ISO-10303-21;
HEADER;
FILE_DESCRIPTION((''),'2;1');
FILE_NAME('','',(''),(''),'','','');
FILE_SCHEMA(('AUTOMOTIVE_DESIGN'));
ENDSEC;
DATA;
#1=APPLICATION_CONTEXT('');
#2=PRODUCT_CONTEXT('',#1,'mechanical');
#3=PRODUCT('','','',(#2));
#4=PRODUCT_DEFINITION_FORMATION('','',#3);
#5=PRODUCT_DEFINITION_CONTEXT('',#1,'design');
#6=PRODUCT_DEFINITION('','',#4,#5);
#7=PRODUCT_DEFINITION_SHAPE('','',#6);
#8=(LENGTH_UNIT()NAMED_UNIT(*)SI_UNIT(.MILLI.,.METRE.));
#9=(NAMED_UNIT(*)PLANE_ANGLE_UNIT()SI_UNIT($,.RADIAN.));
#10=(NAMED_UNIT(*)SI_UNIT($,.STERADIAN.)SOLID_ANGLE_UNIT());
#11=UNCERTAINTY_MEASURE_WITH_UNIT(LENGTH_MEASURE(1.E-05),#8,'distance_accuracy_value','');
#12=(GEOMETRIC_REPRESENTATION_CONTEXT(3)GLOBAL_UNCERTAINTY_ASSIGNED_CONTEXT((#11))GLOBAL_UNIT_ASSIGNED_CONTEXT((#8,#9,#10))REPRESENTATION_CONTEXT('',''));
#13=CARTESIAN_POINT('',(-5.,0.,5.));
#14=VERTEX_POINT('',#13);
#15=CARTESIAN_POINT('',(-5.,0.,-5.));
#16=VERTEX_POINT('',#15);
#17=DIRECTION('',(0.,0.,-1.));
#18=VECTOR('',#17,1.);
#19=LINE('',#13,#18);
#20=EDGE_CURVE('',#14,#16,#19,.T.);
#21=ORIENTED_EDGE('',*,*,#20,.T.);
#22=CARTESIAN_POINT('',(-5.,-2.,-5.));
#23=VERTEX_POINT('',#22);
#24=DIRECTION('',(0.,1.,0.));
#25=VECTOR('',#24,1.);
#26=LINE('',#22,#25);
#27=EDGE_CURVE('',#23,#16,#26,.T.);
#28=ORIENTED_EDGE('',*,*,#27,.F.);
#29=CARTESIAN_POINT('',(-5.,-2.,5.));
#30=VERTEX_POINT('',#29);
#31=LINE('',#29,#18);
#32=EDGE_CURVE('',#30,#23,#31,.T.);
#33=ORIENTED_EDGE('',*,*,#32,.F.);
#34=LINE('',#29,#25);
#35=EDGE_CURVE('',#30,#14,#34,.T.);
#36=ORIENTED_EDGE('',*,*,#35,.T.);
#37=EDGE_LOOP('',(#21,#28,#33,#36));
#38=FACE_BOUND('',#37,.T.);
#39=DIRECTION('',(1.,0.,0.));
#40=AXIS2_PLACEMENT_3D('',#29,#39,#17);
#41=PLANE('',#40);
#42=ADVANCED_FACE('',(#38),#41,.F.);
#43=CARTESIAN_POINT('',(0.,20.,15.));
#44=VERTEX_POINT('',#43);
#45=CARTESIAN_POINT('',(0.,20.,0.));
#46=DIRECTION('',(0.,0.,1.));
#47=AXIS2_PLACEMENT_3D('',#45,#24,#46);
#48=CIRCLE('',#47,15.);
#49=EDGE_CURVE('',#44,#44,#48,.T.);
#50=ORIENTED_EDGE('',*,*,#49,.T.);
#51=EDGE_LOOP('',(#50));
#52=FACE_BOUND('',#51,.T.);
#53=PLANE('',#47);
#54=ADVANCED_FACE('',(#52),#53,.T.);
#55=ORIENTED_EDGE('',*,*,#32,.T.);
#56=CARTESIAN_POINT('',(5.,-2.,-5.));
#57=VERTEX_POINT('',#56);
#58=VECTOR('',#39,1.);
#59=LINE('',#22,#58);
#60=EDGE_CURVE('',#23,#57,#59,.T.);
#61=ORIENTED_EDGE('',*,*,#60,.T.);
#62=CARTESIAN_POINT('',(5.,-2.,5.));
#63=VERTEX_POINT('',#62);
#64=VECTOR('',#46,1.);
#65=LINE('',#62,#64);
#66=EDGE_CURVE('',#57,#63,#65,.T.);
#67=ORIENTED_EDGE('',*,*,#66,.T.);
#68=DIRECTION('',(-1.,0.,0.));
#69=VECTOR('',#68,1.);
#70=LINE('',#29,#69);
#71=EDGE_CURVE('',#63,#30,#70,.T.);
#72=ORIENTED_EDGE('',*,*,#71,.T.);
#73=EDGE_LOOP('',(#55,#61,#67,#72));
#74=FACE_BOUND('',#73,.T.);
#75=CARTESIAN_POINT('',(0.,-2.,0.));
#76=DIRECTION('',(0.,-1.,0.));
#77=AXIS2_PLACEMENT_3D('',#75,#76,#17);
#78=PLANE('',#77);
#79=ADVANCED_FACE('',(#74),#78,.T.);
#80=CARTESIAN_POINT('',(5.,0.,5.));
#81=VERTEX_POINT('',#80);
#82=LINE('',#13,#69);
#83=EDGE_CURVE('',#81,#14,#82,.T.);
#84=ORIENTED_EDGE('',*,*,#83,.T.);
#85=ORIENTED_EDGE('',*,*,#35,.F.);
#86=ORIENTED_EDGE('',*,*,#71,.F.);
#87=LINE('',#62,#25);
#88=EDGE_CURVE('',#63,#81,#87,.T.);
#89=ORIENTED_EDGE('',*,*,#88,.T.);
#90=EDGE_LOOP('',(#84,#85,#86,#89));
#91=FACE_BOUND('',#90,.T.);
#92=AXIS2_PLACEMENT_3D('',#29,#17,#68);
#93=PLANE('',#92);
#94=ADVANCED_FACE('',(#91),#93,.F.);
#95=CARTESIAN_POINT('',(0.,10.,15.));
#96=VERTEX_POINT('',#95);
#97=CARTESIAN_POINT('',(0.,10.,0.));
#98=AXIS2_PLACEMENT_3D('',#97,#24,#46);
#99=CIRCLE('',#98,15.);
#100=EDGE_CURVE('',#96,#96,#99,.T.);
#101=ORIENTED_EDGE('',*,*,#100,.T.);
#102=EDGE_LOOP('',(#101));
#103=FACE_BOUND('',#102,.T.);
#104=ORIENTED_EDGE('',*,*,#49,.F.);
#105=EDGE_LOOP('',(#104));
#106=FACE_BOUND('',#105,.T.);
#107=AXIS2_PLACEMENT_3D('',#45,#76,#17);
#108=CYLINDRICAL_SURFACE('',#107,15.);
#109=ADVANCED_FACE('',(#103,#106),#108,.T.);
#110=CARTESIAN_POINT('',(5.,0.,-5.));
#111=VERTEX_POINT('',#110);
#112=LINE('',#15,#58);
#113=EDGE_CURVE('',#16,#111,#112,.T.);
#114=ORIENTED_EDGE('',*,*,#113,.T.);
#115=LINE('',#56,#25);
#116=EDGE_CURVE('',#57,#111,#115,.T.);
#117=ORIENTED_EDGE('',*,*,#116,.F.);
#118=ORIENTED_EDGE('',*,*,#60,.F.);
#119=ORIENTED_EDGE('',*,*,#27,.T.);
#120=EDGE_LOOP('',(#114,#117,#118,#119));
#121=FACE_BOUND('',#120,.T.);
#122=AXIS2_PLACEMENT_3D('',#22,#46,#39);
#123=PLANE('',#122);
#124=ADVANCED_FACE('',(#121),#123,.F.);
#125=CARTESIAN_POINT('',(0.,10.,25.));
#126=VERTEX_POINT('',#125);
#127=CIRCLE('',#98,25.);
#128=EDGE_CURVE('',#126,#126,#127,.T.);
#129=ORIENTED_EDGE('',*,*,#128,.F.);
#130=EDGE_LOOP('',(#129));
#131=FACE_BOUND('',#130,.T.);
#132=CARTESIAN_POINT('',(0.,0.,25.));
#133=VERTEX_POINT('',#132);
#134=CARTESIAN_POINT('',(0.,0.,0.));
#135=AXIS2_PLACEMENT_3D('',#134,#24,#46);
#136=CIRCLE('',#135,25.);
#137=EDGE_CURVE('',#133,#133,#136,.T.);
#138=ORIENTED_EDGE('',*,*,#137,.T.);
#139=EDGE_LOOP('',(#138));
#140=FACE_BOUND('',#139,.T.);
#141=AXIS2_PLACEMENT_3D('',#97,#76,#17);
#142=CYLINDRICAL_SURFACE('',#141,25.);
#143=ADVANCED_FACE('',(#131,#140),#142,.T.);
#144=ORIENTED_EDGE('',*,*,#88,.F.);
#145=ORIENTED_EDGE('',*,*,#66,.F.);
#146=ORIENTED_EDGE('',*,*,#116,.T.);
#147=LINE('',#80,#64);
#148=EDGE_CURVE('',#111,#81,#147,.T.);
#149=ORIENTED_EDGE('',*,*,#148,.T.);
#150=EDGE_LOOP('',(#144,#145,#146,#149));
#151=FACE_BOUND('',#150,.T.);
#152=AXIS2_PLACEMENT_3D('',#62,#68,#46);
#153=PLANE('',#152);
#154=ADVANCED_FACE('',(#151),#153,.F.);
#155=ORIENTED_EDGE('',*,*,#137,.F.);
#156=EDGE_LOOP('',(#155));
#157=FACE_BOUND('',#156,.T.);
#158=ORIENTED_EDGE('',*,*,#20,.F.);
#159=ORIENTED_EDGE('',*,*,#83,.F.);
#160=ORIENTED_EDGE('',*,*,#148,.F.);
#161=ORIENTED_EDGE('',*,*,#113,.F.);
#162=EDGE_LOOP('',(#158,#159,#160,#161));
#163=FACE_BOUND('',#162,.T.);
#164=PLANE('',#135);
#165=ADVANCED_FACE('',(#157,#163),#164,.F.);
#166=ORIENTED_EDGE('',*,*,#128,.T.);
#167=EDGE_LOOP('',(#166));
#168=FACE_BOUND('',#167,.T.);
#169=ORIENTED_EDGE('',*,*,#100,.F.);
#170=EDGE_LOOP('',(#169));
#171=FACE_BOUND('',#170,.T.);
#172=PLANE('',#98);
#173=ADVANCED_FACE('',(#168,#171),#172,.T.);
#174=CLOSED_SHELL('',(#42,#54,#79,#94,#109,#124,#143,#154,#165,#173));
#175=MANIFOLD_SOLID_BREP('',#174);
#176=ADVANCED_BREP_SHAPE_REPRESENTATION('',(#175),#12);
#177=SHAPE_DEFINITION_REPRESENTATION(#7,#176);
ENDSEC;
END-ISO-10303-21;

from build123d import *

# Parameters (mm, degrees)
SKETCH1_R           = 25
BOSS_EXTRUDE1_DEPTH = 10
SKETCH2_R           = 15
BOSS_EXTRUDE2_DEPTH = 10
SKETCH3_W           = 10
SKETCH3_H           = 10
BOSS_EXTRUDE3_DEPTH = 2


with BuildPart() as part:
    # Sketch1 → Boss-Extrude1 (new body)
    with BuildSketch(Plane(origin=(0, 0, 0), x_dir=(1, 0, 0), z_dir=(0, 1, 0))):
        with Locations(Location((0, 0, 0), (0, 0, 270))):
            Circle(SKETCH1_R)
    extrude(amount=BOSS_EXTRUDE1_DEPTH)

    # Sketch2 → Boss-Extrude2 (add)
    with BuildSketch(Plane(origin=(0, 10, 0), x_dir=(1, 0, 0), z_dir=(0, 1, 0))):
        with Locations(Location((0, 0, 0), (0, 0, 270))):
            Circle(SKETCH2_R)
    extrude(amount=BOSS_EXTRUDE2_DEPTH)

    # Sketch3 → Boss-Extrude3 (add)
    with BuildSketch(Plane.XZ):
        Rectangle(SKETCH3_W, SKETCH3_H)
    extrude(amount=BOSS_EXTRUDE3_DEPTH)


solid = part.part
